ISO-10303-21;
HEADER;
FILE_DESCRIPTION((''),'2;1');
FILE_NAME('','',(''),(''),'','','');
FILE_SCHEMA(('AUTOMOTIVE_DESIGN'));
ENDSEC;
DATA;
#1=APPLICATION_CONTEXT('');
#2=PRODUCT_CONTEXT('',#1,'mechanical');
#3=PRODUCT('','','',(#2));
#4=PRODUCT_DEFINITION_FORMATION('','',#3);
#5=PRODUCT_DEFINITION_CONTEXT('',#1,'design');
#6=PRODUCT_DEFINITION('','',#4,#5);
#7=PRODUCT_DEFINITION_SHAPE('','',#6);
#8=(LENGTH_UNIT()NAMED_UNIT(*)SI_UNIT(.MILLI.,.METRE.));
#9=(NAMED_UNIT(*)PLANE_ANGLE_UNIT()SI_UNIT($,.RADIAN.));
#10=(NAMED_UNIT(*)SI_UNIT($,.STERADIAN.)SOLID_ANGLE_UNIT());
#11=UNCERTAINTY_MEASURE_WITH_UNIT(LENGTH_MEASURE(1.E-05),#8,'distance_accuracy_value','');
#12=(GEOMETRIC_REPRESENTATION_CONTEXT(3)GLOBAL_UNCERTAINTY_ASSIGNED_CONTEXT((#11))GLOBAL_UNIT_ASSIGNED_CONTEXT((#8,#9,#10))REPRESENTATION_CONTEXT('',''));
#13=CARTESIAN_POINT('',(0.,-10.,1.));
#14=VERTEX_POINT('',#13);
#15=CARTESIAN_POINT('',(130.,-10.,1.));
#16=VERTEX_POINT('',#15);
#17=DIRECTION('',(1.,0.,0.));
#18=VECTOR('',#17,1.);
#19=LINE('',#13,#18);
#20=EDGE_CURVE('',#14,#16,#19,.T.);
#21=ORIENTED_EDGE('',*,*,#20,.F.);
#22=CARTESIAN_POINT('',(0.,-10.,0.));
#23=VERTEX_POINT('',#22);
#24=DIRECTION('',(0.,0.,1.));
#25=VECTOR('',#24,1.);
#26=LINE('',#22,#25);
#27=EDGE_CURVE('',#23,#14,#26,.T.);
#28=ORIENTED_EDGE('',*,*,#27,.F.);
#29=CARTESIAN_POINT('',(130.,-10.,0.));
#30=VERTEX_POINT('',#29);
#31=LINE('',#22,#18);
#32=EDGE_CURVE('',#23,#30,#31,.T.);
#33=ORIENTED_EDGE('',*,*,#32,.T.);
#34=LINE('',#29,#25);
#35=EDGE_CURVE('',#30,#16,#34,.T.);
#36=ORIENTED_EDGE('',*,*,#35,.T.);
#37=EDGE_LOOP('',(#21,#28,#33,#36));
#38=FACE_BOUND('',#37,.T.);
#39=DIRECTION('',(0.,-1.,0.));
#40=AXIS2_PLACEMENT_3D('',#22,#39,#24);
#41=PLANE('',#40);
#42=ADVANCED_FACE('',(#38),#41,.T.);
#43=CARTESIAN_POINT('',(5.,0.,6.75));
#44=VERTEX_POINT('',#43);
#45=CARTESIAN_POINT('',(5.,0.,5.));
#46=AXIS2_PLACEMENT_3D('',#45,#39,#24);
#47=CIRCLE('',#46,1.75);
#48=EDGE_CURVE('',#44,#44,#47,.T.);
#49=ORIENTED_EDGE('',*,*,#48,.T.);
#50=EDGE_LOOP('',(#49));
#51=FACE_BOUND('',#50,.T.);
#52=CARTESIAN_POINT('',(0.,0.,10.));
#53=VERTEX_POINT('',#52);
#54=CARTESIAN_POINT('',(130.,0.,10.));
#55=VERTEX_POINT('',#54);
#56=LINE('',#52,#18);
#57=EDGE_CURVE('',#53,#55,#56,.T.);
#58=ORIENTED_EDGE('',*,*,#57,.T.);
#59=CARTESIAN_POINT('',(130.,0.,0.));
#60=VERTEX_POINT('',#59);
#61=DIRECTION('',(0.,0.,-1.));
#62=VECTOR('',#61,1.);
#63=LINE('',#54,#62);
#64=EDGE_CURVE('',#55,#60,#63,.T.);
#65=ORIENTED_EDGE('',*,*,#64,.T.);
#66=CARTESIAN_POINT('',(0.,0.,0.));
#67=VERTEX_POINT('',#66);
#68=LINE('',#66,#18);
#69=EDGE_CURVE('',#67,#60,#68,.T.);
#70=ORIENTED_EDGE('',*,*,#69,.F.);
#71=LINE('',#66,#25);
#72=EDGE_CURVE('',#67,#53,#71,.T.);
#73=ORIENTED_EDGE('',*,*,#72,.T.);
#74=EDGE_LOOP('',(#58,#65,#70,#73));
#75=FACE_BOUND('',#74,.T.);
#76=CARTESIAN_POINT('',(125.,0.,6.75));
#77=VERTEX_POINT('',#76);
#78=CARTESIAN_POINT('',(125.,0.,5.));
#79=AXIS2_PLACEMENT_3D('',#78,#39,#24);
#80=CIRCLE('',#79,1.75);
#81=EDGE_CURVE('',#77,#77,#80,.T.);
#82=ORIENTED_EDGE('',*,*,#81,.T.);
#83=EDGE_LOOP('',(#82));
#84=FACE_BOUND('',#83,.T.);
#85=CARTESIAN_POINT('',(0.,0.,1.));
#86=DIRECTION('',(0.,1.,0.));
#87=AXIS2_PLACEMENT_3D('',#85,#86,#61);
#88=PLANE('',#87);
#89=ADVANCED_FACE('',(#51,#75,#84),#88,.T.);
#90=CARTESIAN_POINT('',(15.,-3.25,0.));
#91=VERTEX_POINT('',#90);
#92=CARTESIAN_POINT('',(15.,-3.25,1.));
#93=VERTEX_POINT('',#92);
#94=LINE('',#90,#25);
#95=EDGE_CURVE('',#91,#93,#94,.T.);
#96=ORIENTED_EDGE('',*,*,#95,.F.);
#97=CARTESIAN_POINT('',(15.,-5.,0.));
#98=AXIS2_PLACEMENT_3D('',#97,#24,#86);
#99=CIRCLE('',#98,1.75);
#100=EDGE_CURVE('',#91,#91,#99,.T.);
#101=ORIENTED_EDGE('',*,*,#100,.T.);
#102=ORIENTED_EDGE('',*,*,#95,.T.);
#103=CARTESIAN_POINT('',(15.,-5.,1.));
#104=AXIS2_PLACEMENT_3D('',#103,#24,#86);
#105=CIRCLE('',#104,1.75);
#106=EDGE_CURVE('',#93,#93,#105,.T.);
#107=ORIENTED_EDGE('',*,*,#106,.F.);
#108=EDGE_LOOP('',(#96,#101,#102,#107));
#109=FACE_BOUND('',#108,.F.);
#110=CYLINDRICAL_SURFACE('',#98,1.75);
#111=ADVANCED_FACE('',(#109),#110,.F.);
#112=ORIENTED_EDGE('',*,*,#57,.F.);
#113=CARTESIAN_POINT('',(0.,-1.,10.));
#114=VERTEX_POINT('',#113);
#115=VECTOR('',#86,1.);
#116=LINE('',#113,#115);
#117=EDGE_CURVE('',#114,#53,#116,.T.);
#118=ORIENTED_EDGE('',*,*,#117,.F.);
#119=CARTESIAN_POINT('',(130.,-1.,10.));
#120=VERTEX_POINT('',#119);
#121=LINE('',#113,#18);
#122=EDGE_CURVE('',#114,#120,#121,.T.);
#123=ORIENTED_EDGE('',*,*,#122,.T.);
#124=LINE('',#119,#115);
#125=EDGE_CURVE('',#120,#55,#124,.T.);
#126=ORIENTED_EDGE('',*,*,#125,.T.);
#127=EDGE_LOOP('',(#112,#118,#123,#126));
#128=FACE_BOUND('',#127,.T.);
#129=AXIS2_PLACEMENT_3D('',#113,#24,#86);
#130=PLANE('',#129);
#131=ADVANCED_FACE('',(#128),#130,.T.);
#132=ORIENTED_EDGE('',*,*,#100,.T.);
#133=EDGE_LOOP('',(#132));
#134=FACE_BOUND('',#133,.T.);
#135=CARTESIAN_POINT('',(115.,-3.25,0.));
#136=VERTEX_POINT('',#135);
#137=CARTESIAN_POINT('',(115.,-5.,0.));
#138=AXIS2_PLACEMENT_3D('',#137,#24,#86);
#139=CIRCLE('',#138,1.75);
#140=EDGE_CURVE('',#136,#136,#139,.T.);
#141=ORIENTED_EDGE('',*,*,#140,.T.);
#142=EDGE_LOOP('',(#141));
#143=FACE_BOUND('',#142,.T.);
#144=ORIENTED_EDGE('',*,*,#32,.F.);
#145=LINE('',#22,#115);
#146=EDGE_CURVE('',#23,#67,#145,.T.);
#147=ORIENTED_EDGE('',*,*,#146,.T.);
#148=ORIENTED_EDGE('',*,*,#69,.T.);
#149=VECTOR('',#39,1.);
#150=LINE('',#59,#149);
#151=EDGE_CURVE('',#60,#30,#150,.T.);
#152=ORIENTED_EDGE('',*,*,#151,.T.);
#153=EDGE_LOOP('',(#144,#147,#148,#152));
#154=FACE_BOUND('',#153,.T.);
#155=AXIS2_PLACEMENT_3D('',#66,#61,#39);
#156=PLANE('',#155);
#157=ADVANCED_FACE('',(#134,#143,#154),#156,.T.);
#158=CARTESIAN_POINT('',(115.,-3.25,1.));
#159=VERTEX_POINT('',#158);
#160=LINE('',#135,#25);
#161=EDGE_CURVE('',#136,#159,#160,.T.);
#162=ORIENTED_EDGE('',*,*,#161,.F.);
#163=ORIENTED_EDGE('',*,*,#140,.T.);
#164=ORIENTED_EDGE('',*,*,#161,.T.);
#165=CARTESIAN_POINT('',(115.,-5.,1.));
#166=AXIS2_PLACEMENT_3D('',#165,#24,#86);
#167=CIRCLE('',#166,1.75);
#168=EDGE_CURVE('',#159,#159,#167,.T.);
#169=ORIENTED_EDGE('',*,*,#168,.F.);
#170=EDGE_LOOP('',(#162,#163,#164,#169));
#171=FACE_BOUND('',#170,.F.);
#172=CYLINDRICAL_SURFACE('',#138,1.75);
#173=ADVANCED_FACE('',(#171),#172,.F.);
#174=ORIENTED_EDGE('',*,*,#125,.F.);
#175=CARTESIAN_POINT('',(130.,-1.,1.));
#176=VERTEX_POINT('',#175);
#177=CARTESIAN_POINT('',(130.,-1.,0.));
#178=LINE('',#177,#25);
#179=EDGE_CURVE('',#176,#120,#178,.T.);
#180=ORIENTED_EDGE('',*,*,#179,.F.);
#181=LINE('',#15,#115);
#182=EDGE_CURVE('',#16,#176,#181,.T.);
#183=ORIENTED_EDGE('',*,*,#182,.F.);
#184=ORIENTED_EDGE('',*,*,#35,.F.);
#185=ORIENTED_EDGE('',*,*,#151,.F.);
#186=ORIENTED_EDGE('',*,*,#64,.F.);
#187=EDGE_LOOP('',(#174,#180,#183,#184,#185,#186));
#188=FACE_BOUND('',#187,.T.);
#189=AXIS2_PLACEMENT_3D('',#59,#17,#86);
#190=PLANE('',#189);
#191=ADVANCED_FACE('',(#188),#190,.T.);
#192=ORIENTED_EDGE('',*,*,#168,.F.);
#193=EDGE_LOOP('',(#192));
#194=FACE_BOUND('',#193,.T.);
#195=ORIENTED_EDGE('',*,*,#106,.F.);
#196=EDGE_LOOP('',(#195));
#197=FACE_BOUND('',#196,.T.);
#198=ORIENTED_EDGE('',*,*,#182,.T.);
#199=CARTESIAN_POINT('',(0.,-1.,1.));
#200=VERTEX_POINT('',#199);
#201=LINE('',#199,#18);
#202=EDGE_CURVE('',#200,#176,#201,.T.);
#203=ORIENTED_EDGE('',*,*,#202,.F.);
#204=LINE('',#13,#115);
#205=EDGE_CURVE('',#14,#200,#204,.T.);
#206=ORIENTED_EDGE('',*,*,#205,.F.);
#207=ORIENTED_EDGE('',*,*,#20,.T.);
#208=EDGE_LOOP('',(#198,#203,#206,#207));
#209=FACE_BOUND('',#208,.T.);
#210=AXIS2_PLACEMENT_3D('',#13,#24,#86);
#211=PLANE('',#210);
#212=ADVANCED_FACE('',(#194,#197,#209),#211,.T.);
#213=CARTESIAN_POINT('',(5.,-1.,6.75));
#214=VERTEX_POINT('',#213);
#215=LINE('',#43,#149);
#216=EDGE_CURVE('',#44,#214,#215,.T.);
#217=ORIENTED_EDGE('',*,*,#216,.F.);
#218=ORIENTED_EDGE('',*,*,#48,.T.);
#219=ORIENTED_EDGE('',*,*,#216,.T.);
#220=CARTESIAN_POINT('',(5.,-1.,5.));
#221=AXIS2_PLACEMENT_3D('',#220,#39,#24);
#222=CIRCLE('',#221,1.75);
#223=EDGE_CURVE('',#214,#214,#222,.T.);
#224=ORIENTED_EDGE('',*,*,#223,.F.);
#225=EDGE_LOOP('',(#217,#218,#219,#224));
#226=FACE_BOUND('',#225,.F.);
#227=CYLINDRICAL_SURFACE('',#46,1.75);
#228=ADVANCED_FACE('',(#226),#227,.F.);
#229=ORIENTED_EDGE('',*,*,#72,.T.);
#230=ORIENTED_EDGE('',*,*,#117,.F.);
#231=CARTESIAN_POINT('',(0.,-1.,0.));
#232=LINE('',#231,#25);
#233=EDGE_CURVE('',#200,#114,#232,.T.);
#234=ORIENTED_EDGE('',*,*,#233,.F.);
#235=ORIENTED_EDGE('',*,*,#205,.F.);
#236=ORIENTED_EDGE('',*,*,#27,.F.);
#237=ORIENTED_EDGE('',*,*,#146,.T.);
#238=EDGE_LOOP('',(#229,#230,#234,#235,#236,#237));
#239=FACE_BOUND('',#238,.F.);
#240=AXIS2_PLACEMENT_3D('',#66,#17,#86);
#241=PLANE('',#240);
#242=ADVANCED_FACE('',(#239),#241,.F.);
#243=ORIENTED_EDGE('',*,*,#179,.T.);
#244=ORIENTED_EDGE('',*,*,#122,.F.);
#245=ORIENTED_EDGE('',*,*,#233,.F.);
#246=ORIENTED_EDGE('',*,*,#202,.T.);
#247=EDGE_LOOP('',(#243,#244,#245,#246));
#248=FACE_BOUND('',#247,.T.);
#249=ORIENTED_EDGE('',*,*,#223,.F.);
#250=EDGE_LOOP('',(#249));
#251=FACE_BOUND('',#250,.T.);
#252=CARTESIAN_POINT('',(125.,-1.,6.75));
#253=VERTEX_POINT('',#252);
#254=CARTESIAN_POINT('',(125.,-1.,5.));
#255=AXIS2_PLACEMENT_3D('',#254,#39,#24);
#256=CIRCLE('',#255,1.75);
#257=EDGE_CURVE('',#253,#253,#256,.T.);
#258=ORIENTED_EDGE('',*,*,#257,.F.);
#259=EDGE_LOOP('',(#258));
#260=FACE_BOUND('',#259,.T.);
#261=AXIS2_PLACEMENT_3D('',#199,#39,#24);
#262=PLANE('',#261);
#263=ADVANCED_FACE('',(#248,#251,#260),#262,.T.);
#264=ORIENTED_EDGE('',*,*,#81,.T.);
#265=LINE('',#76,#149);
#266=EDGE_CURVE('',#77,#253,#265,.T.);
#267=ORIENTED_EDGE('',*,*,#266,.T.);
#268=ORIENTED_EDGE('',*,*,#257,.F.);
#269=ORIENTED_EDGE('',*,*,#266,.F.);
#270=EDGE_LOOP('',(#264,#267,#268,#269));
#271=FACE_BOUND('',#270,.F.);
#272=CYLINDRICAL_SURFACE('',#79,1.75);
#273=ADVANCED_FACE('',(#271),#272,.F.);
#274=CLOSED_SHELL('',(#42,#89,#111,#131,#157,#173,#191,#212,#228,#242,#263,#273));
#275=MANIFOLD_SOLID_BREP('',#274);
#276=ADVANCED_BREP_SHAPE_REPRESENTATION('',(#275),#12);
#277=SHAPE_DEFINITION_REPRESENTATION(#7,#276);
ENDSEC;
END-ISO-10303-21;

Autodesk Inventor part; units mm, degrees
ref_plane "YZ Plane" through (0, 0, 0) normal (1, 0, 0) x (0, 1, 0)
ref_plane "XZ Plane" through (0, 0, 0) normal (0, 1, 0) x (-1, 0, 0)
ref_plane "XY Plane" through (0, 0, 0) normal (0, 0, 1) x (1, 0, 0)
sketch "スケッチ1" plane through (0, 0, 0) normal (1, 0, 0) x (0, 1, 0)
  line L0 (0, 0) -> (-1, 0)
  line L1 (-1, 0) -> (-1, 10)
  line L2 (-1, 10) -> (0, 10)
  line L3 (0, 10) -> (0, 0)
  line L4 (0, 0) -> (-10, 0)
  line L5 (-10, 0) -> (-10, 1)
  line L6 (-10, 1) -> (0, 1)
  line L7 (0, 1) -> (0, 0)
  point P0 (-1, 1)
  dimension "d0" = 1
  dimension "d1" = 10
  dimension "d2" = 10
  dimension "d3" = 1
extrude "押し出し1" add sketch "スケッチ1" along normal blind 130
sketch "スケッチ2" plane through (0, 0, 10) normal (0, 1, 0) x (1, 0, 0)
  line L0 (0, 10) -> (0, 0) projected
  line L1 (0, 10) -> (130, 10) projected
  line L2 (130, 10) -> (130, 0) projected
  point P0 (5, 5)
  point P1 (125, 5)
  dimension "d13" = 5
  dimension "d14" = 5
  dimension "d15" = 5
  dimension "d16" = 5
hole "穴1" at (5, 0, 5) at (125, 0, 5) direction (0, -1, 0) diameter 3.5 end through all
sketch "スケッチ3" plane through (0, -10, 0) normal (0, 0, -1) x (-1, 0, 0)
  line L0 (0, 0) -> (-130, 0) projected
  line L1 (-130, 0) -> (-130, 10) projected
  line L2 (0, 0) -> (0, 10) projected
  point P0 (-115, 5)
  point P1 (-15, 5)
  dimension "d24" = 5
  dimension "d25" = 5
  dimension "d26" = 15
  dimension "d27" = 15
hole "穴2" at (115, -5, 0) at (15, -5, 0) direction (0, 0, 1) diameter 3.5 end through all
properties part number "slide_panel_joint"
